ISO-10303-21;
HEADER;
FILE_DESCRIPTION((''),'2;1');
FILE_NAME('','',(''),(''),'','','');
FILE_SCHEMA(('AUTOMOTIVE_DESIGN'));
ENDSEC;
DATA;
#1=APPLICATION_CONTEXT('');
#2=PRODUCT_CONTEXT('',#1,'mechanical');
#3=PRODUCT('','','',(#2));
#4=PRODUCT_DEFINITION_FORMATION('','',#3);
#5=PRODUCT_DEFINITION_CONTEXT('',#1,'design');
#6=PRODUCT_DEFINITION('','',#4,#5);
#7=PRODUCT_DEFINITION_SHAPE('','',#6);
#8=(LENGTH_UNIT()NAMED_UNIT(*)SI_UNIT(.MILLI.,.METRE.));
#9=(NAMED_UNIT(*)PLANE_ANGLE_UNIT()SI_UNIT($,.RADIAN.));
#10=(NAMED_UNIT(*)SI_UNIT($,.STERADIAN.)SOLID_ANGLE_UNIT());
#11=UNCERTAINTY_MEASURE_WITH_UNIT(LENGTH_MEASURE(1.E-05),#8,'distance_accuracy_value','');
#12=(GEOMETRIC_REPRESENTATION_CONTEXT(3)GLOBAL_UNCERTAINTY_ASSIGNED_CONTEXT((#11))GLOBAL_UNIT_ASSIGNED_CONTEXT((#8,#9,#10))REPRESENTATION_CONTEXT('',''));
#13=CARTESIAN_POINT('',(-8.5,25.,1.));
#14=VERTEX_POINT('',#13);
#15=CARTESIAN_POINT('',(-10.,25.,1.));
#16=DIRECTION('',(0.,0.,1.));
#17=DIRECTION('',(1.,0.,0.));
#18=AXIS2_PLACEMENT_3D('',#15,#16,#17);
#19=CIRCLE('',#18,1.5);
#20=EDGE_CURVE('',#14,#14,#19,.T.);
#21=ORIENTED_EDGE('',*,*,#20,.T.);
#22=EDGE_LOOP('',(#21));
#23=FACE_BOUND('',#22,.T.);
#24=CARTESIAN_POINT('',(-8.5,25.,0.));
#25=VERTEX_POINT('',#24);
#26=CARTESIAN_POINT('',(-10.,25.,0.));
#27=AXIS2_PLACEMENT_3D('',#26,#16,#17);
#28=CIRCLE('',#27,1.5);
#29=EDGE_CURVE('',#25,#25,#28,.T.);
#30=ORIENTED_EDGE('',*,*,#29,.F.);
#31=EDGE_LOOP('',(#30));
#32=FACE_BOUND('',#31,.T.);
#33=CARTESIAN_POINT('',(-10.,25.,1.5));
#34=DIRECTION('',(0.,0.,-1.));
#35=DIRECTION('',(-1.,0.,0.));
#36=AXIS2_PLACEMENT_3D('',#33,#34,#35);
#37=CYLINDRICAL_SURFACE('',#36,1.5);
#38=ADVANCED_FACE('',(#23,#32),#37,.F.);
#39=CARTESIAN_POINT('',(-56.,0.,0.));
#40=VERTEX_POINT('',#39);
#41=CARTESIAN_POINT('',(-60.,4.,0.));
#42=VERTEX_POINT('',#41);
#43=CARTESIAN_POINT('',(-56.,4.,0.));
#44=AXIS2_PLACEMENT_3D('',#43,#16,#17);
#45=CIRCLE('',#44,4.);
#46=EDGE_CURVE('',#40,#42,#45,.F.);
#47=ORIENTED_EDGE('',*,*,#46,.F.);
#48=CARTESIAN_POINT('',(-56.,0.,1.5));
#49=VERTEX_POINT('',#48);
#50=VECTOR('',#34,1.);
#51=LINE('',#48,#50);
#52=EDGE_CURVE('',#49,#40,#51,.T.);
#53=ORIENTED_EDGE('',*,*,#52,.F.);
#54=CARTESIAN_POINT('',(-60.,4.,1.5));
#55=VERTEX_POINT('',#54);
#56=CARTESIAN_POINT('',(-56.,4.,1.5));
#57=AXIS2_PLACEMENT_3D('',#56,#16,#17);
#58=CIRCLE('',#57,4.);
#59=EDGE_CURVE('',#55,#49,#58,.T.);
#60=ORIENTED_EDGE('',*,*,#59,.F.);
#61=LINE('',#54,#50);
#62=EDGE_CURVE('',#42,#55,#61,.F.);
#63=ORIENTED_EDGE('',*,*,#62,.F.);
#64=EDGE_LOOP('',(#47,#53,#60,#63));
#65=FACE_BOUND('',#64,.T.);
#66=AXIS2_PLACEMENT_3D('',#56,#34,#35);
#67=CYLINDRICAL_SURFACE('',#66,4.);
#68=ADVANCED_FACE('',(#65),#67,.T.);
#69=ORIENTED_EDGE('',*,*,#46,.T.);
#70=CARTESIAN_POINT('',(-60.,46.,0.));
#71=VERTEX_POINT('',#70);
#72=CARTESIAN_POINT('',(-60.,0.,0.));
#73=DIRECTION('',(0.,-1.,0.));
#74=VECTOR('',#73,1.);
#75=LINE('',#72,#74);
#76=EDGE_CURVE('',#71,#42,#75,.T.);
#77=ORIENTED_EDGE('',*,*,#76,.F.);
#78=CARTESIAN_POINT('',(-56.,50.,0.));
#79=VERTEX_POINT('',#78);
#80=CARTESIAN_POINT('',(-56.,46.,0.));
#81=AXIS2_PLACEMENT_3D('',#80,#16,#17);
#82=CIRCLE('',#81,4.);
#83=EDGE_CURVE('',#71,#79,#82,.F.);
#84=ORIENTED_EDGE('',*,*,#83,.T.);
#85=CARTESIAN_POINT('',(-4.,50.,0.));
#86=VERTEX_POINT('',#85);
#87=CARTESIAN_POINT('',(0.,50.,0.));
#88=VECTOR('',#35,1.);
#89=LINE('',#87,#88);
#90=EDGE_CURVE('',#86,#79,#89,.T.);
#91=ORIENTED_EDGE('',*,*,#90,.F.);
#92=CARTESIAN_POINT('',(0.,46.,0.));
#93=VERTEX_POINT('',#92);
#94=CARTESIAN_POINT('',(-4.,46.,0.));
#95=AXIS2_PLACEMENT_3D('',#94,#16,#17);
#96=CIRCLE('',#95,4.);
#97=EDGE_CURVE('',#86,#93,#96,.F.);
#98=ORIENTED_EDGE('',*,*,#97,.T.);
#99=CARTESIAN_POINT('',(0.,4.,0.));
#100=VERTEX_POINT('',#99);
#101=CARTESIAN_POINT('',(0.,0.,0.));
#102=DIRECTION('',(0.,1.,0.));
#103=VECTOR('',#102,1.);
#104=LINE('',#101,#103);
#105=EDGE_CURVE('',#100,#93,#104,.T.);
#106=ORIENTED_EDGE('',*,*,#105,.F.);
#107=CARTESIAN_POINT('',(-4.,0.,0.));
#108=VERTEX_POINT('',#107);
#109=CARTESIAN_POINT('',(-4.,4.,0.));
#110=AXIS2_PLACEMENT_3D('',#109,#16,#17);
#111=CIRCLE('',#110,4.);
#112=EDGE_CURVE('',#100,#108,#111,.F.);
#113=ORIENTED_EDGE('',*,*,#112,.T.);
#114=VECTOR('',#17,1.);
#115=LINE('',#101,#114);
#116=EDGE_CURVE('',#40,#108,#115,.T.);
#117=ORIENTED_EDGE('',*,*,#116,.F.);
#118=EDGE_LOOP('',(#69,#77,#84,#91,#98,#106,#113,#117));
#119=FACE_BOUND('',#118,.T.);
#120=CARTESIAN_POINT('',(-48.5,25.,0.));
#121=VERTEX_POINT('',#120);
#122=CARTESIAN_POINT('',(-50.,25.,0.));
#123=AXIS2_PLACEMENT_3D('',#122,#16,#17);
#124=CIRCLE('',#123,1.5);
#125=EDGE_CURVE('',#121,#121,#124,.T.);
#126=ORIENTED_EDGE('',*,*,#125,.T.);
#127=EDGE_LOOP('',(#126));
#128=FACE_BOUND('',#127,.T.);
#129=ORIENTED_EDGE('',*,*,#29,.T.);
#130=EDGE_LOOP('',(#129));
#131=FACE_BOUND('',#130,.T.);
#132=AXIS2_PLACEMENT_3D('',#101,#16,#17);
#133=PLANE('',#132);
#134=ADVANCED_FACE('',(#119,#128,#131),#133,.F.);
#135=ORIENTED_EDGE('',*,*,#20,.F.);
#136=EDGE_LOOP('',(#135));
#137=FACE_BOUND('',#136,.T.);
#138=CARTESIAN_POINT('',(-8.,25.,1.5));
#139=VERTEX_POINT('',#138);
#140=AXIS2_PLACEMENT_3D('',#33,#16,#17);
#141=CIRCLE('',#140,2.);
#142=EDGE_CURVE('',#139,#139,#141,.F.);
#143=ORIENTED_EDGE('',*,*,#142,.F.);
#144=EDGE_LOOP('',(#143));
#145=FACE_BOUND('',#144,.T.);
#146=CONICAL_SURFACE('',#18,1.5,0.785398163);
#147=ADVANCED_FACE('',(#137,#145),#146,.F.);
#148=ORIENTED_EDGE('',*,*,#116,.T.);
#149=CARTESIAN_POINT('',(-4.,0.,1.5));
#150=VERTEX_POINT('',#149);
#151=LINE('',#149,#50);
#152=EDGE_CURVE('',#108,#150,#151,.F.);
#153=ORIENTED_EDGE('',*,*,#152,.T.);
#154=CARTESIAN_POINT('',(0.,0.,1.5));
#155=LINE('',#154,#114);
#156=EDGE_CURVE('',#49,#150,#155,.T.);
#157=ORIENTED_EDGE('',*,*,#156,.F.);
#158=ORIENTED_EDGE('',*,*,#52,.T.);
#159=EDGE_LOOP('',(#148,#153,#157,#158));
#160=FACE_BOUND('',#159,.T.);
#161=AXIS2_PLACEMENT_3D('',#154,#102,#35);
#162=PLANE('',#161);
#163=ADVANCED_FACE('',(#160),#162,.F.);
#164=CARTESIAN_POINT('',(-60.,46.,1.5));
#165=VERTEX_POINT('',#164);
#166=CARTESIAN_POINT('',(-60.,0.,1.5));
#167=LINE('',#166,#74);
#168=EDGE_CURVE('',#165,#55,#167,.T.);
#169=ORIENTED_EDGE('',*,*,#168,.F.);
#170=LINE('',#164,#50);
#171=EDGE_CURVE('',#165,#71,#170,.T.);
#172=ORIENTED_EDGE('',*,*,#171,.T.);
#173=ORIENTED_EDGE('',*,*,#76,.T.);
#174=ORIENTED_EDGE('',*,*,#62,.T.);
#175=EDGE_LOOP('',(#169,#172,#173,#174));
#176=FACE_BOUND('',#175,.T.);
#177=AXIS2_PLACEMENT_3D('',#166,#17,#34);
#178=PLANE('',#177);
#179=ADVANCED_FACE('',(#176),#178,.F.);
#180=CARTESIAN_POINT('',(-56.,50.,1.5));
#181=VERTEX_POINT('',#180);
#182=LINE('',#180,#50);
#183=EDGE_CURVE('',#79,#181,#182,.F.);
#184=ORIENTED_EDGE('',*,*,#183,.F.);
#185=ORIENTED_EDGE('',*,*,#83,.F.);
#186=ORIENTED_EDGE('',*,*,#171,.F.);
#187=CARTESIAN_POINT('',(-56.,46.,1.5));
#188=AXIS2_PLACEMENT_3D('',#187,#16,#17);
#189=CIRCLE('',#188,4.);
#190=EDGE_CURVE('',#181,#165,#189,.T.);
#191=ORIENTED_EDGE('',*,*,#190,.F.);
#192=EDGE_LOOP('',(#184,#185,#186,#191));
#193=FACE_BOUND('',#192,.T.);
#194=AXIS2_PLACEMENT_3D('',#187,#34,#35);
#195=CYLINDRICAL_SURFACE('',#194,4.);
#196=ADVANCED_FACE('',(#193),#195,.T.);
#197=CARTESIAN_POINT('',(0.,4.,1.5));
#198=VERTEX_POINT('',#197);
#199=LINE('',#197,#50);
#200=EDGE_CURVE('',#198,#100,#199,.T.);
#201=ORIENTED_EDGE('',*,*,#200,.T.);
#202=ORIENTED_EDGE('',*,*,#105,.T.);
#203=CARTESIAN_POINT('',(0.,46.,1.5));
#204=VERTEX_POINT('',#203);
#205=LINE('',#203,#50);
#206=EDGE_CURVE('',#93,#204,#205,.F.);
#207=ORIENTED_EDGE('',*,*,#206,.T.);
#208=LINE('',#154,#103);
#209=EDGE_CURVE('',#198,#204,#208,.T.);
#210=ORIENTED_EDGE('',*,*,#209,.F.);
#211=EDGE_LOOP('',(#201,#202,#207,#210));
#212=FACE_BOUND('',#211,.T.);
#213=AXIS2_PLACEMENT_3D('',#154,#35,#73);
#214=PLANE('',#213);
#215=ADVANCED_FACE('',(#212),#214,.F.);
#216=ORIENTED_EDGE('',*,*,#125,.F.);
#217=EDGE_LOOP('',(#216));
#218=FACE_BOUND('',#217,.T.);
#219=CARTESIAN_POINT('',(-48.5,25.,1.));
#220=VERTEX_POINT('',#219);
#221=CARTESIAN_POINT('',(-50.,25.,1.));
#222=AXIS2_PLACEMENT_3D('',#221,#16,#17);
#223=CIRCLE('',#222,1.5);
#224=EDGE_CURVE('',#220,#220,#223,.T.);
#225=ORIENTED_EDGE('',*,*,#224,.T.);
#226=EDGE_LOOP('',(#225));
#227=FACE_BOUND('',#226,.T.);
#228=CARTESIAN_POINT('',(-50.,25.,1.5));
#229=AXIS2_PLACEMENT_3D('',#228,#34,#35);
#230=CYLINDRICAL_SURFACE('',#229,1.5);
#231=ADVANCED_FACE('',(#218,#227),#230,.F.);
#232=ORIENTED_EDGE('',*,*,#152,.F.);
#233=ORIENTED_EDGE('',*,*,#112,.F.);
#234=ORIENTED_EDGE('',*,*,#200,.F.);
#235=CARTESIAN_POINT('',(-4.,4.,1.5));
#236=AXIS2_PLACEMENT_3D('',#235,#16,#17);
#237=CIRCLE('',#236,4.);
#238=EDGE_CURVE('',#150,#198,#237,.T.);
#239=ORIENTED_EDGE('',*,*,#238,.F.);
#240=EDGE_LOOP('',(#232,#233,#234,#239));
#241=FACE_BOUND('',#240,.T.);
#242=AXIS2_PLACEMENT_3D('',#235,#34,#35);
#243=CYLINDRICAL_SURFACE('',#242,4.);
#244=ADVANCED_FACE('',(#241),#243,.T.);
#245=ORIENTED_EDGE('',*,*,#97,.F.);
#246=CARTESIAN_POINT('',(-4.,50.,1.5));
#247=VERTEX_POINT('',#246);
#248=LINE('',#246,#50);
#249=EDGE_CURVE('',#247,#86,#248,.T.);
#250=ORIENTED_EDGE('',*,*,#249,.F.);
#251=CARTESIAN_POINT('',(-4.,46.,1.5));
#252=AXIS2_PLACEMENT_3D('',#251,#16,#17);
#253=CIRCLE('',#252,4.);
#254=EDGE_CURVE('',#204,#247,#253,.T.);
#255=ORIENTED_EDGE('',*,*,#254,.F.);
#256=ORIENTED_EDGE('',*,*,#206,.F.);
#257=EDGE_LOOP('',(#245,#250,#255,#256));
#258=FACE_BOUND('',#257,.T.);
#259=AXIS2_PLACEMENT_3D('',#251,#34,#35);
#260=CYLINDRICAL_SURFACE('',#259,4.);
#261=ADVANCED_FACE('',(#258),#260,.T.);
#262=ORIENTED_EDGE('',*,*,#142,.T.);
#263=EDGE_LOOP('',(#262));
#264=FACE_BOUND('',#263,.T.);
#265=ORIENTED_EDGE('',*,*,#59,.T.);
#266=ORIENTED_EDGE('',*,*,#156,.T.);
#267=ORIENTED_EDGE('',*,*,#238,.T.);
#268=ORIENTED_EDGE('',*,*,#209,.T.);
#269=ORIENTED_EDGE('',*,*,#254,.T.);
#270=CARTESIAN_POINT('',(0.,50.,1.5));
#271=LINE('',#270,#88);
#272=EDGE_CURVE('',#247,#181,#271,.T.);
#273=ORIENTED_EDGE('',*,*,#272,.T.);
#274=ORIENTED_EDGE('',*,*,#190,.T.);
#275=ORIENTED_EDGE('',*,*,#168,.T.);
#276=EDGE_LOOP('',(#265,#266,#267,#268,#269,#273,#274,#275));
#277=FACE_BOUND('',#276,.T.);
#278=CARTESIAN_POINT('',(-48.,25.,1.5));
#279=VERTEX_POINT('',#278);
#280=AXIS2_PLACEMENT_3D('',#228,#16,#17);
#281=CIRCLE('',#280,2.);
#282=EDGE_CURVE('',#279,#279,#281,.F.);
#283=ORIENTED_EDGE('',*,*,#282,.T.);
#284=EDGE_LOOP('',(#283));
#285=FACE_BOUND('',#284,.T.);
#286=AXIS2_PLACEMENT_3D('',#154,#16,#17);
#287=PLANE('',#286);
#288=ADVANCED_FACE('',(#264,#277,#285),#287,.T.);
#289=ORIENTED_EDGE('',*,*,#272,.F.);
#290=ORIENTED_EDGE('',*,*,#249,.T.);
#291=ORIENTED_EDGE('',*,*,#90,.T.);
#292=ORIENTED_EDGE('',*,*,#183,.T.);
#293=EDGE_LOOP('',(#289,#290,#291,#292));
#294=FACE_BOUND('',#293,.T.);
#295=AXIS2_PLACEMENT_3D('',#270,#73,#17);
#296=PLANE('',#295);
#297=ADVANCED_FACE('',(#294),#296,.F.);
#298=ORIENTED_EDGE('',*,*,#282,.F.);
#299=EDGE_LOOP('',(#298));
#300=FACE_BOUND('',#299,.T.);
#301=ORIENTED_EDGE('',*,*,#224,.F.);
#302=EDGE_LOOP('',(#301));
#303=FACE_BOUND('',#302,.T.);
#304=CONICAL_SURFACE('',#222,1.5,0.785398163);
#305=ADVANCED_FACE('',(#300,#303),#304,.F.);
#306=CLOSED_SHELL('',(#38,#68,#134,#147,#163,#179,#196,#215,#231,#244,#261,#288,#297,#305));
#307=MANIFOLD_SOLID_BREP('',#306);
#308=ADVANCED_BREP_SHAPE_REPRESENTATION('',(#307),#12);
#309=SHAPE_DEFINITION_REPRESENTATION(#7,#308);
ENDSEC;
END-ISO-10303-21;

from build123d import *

# Parameters (mm, degrees)
ESQUISSE1_W      = 60
ESQUISSE1_H      = 50
ESQUISSE1_R      = 1.5
EXTRUSION1_DEPTH = 1.5
CHANFREIN1_SIZE  = 0.5
CONG_1_R         = 4


with BuildPart() as part:
    # Esquisse1 → Extrusion1 (new body)
    with BuildSketch(Plane.XY):
        with Locations((-30, 25)):
            Rectangle(ESQUISSE1_W, ESQUISSE1_H)
        with Locations((-50, 25)):
            Circle(ESQUISSE1_R, mode=Mode.SUBTRACT)
        with Locations((-10, 25)):
            Circle(ESQUISSE1_R, mode=Mode.SUBTRACT)
    extrude(amount=EXTRUSION1_DEPTH)

    # Chanfrein1
    chanfrein1_edges = [part.edges().sort_by_distance(p)[0] for p in [
        (-51.5, 25, 1.5),
        (-11.5, 25, 1.5),
    ]]
    chamfer(chanfrein1_edges, length=CHANFREIN1_SIZE)

    # Congé1
    cong_1_edges = [part.edges().sort_by_distance(p)[0] for p in [
        (0, 0, 0.75),
        (-60, 0, 0.75),
        (-60, 50, 0.75),
        (0, 50, 0.75),
    ]]
    fillet(cong_1_edges, radius=CONG_1_R)


solid = part.part
